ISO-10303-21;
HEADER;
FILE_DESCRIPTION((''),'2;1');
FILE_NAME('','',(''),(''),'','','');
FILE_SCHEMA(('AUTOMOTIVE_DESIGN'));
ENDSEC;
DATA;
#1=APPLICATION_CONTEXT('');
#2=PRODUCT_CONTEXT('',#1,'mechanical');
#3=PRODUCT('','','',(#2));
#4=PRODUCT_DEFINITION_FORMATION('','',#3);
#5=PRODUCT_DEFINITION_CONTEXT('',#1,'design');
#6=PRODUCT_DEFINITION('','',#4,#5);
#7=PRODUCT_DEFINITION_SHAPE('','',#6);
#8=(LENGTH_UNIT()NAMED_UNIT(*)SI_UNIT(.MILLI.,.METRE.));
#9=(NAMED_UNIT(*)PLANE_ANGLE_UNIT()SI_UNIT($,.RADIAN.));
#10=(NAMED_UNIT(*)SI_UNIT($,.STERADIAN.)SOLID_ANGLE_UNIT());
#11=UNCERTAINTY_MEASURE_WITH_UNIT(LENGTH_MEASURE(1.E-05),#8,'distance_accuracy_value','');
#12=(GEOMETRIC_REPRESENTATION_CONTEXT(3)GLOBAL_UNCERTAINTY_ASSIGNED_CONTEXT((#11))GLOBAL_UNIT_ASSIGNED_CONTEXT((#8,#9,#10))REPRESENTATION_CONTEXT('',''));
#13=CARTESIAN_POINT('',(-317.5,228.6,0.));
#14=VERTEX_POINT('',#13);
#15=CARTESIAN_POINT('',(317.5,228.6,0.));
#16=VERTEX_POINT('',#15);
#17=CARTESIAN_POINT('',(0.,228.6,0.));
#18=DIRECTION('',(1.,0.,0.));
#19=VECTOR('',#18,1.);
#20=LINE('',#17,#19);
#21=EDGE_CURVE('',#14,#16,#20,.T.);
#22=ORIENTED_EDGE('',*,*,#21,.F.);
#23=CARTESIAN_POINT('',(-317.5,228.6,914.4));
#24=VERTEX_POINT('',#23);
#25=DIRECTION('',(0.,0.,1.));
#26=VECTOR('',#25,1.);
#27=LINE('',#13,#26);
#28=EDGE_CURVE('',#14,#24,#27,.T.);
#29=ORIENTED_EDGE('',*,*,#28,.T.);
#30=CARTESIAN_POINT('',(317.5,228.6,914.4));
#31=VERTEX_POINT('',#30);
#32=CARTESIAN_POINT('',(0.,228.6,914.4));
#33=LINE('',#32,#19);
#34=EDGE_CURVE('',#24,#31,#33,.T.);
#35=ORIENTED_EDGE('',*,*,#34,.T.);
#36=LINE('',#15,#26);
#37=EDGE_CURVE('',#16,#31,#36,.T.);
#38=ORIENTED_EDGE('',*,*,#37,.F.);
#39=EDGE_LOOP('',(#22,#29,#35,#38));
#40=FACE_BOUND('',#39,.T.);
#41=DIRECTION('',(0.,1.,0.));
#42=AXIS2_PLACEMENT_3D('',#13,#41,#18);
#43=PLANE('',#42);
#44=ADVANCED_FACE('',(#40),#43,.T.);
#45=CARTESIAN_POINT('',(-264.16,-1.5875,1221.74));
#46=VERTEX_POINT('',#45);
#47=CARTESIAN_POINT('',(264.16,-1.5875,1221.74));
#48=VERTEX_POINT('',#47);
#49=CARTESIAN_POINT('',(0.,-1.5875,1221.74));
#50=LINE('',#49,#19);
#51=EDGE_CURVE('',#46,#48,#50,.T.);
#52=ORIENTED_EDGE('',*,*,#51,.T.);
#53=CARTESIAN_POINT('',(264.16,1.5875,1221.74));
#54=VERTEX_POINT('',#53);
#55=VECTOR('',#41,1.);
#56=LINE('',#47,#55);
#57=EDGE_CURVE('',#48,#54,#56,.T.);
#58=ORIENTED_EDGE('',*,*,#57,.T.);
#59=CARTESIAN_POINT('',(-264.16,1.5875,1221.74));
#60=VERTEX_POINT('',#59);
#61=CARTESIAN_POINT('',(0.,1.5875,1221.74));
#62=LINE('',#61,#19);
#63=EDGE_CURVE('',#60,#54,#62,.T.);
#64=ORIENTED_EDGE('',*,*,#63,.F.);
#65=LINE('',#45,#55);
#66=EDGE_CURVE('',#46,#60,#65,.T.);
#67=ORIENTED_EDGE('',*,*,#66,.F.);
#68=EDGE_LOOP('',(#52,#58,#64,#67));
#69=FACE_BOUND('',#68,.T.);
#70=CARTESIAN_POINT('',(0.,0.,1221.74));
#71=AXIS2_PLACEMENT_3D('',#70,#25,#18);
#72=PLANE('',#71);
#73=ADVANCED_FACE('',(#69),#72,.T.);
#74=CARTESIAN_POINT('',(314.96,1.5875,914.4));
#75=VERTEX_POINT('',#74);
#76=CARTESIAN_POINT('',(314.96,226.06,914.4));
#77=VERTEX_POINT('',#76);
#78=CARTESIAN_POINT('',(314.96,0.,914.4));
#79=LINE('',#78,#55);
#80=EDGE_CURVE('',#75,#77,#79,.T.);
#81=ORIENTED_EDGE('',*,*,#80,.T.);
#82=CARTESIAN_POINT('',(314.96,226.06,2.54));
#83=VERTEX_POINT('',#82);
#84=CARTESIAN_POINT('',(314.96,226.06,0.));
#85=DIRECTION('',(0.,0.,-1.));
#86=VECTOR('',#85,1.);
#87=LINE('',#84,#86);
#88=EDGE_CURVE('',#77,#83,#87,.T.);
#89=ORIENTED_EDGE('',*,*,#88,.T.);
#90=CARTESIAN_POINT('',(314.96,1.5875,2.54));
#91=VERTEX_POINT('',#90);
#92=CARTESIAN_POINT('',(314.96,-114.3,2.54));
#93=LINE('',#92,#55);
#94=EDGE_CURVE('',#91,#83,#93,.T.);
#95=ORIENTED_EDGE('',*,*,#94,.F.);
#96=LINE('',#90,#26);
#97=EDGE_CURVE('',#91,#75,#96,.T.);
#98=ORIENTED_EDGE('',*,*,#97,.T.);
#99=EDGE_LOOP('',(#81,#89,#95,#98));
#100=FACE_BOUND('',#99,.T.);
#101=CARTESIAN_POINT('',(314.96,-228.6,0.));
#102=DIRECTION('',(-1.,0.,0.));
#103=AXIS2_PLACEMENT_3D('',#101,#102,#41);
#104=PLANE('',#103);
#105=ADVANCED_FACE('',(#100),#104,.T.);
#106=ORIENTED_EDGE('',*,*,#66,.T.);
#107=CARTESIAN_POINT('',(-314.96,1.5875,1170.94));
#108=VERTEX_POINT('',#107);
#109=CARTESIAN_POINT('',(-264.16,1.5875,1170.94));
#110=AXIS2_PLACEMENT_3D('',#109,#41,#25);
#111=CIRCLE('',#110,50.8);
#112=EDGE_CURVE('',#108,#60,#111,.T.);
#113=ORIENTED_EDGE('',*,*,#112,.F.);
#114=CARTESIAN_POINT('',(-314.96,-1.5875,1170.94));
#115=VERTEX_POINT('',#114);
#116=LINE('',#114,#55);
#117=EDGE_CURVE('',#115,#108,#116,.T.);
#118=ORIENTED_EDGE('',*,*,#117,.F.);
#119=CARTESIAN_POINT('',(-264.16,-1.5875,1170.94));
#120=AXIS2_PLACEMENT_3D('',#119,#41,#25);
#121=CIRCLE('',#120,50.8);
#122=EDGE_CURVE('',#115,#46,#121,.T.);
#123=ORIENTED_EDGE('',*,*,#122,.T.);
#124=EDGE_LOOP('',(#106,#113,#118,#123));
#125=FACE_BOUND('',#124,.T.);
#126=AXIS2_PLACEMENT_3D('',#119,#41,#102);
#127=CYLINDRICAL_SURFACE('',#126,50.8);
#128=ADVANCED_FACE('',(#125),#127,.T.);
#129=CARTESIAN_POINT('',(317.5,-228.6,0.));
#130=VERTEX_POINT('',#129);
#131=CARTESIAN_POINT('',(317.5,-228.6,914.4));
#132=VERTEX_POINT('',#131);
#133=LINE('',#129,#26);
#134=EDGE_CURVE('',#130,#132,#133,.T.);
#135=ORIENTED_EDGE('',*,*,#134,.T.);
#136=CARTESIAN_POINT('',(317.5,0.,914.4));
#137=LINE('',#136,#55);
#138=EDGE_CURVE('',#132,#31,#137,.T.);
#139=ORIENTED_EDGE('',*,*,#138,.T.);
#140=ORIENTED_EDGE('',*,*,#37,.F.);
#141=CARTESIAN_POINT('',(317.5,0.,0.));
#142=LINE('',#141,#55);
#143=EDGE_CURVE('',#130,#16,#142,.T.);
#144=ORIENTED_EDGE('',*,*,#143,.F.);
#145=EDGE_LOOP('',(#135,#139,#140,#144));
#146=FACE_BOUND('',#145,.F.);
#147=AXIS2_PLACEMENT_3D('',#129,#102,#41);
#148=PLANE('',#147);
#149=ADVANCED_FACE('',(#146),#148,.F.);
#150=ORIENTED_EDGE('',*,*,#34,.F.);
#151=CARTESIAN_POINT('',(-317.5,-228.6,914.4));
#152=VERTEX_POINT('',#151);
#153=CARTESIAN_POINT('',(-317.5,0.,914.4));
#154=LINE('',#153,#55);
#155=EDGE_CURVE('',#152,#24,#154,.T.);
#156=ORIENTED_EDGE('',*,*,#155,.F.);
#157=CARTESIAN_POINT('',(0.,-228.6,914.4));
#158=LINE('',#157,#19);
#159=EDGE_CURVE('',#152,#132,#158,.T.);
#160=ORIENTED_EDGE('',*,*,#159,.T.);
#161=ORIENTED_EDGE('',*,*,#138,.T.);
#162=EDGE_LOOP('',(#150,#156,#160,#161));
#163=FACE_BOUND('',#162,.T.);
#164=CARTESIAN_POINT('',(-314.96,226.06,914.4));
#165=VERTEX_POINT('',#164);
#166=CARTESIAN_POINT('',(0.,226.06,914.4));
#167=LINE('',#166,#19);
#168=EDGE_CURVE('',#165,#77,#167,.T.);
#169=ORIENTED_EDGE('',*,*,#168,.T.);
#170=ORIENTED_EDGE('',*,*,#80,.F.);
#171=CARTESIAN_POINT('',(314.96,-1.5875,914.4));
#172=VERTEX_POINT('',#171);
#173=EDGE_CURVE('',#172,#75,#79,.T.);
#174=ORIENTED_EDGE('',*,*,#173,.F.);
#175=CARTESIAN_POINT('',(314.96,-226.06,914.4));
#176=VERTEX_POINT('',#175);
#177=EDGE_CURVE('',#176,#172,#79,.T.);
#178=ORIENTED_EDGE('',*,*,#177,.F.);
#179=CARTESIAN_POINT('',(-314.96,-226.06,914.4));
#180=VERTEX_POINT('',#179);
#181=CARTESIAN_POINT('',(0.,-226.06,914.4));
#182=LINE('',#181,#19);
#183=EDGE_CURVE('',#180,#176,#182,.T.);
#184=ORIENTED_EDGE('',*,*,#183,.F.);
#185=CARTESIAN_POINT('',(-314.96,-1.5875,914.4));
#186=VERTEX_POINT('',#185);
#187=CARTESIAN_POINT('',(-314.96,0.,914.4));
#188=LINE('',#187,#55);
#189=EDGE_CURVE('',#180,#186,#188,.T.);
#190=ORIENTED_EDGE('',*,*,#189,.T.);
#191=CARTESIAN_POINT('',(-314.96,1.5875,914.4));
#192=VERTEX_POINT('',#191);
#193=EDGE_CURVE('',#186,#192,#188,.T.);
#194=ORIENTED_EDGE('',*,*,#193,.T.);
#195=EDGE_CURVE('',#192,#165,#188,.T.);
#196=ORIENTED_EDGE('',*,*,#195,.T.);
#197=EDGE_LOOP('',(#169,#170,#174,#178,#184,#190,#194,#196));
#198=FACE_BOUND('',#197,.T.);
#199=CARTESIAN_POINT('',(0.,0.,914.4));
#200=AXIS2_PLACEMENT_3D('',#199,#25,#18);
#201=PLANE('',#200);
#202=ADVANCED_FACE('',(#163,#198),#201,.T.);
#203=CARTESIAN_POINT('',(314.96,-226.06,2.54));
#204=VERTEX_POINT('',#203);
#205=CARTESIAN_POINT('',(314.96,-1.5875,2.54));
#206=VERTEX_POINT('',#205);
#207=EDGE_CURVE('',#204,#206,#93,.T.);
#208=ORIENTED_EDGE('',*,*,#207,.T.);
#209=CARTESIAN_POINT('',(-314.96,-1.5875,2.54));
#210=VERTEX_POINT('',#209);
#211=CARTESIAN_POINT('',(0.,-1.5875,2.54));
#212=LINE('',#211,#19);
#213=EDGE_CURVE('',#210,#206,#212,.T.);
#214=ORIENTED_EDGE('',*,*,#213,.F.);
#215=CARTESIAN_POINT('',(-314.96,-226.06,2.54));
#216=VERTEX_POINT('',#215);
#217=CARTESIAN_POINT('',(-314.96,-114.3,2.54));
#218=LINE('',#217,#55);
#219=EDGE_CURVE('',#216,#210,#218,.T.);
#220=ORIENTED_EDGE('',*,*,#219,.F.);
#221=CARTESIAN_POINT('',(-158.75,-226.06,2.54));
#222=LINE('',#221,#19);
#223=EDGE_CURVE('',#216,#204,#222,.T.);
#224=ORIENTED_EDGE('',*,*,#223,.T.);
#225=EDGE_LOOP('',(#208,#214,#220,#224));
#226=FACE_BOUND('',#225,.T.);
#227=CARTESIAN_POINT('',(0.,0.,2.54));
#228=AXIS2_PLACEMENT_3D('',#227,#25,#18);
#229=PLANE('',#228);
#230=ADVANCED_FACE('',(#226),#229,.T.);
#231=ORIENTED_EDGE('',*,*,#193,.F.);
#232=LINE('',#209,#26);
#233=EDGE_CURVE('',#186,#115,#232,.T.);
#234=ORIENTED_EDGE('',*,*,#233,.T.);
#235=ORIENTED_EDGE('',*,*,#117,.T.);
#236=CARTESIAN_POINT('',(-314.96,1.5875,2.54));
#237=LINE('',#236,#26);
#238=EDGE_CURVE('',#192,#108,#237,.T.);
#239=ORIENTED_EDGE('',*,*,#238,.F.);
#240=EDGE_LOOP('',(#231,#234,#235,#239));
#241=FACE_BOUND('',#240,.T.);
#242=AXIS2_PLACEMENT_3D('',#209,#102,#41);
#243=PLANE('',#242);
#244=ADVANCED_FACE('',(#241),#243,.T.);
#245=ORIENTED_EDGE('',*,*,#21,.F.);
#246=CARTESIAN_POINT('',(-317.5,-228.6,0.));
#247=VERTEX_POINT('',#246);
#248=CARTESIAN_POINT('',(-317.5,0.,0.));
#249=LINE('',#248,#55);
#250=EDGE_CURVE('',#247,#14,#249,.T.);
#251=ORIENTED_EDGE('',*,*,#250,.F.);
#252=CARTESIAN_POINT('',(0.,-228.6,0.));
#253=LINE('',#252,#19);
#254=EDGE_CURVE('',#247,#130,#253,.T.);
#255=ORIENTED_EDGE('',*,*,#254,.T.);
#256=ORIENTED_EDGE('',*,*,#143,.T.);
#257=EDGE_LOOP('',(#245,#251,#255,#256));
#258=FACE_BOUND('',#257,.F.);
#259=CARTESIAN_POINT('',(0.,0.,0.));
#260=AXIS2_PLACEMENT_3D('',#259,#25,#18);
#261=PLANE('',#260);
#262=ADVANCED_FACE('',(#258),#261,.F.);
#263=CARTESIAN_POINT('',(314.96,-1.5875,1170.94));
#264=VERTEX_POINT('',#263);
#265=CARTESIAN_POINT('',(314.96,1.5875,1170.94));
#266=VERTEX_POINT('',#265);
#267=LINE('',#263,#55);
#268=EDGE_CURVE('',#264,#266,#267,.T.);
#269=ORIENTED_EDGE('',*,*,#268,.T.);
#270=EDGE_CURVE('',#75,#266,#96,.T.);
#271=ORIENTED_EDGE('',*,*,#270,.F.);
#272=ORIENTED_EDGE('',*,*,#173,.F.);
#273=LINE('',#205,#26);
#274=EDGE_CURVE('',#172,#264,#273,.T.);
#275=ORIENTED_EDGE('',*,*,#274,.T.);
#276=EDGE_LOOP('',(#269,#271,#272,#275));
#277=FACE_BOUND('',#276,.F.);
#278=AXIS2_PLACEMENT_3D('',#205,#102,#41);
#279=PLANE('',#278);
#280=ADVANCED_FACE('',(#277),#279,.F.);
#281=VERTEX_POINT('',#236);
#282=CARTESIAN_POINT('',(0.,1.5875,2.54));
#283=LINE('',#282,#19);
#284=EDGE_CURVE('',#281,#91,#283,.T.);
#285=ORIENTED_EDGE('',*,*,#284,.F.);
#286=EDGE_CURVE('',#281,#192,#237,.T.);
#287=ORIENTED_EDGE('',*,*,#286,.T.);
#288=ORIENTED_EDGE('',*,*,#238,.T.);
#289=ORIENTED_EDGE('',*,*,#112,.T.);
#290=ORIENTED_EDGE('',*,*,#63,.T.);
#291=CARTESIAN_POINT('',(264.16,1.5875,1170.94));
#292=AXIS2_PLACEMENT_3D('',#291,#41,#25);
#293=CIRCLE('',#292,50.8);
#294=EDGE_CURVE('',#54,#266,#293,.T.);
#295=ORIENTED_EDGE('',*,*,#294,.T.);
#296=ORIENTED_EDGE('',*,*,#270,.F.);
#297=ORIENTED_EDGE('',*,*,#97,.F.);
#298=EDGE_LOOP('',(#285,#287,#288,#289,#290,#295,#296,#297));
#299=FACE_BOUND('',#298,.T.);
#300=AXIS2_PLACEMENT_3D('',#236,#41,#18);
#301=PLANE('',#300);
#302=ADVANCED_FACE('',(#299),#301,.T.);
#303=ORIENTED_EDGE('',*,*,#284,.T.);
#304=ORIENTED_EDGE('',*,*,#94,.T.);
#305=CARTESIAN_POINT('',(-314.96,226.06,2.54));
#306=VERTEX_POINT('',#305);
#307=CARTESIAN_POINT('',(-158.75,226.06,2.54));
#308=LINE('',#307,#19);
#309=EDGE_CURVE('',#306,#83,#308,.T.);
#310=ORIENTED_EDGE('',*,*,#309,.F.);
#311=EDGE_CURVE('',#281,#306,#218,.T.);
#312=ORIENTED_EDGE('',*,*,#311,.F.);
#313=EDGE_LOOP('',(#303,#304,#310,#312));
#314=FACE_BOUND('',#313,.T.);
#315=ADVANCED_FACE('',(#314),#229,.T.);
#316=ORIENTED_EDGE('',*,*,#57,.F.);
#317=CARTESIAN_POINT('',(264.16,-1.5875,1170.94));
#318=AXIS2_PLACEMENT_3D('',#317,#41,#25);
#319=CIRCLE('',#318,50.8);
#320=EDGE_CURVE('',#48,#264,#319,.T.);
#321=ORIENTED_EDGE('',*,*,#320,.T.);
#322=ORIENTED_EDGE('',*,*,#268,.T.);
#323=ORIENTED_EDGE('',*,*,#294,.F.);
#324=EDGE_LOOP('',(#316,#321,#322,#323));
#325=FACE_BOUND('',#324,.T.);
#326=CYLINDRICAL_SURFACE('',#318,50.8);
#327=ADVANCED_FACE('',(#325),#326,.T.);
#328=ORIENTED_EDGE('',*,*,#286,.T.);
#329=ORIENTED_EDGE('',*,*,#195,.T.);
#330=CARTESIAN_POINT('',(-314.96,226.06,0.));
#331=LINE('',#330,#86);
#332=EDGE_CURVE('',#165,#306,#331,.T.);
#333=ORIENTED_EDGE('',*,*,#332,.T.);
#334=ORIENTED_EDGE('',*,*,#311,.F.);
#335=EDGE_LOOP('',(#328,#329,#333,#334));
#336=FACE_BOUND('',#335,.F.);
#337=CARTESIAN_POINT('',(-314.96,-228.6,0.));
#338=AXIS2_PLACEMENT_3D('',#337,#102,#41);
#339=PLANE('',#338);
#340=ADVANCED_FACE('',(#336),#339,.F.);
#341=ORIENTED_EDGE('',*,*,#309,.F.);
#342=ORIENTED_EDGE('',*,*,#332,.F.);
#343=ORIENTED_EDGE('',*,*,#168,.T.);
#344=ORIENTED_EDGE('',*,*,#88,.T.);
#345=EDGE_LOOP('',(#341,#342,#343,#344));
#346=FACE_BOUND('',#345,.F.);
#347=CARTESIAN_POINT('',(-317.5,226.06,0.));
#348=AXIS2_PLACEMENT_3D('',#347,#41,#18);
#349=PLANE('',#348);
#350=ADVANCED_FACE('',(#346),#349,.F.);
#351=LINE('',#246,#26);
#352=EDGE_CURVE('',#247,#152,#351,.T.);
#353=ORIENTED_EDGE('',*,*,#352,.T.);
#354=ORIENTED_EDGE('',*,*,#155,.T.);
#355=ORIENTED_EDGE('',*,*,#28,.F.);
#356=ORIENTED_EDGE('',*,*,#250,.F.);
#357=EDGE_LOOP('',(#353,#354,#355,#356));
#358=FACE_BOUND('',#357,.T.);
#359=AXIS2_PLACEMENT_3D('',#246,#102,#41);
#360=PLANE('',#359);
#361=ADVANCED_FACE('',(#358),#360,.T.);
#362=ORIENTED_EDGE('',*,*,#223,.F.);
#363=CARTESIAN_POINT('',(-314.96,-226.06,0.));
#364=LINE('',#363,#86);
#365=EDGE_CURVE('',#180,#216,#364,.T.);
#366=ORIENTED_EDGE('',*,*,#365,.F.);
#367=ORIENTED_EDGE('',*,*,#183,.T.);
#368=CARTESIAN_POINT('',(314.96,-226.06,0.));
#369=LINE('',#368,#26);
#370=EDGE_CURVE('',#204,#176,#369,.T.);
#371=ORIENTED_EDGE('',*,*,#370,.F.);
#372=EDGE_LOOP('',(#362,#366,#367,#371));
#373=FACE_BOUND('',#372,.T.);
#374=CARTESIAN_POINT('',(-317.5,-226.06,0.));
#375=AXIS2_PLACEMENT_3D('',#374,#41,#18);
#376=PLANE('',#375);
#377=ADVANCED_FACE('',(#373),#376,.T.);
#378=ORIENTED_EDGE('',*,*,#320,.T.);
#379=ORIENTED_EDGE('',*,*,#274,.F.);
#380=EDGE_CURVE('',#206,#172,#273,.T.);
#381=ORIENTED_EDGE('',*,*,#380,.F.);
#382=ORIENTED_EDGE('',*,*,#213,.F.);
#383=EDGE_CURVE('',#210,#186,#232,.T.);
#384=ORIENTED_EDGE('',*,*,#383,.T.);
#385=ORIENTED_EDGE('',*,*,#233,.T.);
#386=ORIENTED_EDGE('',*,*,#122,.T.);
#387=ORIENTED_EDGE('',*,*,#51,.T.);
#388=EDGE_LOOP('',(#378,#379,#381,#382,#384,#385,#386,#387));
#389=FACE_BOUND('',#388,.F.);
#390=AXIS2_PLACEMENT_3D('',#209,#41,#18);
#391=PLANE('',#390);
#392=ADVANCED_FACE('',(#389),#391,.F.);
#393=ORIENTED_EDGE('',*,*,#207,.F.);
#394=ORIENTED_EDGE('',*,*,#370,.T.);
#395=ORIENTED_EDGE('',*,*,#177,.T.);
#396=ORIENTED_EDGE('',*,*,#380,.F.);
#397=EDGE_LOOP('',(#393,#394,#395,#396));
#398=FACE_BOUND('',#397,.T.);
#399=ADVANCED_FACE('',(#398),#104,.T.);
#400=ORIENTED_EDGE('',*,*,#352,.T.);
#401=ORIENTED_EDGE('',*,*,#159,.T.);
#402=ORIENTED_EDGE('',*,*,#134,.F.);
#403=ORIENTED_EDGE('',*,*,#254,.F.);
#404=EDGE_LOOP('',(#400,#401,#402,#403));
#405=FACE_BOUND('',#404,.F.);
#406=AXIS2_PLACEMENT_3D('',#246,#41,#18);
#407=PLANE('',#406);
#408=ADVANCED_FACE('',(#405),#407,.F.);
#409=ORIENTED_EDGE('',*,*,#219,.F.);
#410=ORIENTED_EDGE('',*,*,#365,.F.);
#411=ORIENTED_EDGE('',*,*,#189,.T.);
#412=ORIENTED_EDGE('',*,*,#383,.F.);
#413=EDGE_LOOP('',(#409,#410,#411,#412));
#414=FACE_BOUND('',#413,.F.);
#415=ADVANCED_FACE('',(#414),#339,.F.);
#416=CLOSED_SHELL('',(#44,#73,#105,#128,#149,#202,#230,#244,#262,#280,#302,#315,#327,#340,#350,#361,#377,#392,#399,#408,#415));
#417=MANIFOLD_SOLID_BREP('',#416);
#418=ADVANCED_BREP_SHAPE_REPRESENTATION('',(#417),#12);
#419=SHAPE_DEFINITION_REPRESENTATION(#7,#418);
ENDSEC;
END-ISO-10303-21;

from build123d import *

# Parameters (mm, degrees)
F0_W     = 635
F0_H     = 457.2
F1_DEPTH = 914.4
F2_T     = -2.54
F3_W     = 629.92
F3_H     = 3.175
F4_DEPTH = 1219.2
F5_R     = 50.8


with BuildPart() as f1:
    # F0 (on Top) → F1 (new body)
    with BuildSketch(Plane.XY):
        Rectangle(F0_W, F0_H)
    extrude(amount=F1_DEPTH)

    # F2
    f2_openings = [f1.faces().sort_by_distance(p)[0] for p in [
        (0, 0, 914.4),
    ]]
    offset(amount=F2_T, openings=f2_openings)

    # F3 (on face) → F4 (join)
    with BuildSketch(Plane.XY.offset(2.54)):
        Rectangle(F3_W, F3_H)
    extrude(amount=F4_DEPTH)

    # F5
    f5_edges = [f1.edges().sort_by_distance(p)[0] for p in [
        (314.96, 0, 1221.74),
        (-314.96, 0, 1221.74),
    ]]
    fillet(f5_edges, radius=F5_R)


solid = f1.part
